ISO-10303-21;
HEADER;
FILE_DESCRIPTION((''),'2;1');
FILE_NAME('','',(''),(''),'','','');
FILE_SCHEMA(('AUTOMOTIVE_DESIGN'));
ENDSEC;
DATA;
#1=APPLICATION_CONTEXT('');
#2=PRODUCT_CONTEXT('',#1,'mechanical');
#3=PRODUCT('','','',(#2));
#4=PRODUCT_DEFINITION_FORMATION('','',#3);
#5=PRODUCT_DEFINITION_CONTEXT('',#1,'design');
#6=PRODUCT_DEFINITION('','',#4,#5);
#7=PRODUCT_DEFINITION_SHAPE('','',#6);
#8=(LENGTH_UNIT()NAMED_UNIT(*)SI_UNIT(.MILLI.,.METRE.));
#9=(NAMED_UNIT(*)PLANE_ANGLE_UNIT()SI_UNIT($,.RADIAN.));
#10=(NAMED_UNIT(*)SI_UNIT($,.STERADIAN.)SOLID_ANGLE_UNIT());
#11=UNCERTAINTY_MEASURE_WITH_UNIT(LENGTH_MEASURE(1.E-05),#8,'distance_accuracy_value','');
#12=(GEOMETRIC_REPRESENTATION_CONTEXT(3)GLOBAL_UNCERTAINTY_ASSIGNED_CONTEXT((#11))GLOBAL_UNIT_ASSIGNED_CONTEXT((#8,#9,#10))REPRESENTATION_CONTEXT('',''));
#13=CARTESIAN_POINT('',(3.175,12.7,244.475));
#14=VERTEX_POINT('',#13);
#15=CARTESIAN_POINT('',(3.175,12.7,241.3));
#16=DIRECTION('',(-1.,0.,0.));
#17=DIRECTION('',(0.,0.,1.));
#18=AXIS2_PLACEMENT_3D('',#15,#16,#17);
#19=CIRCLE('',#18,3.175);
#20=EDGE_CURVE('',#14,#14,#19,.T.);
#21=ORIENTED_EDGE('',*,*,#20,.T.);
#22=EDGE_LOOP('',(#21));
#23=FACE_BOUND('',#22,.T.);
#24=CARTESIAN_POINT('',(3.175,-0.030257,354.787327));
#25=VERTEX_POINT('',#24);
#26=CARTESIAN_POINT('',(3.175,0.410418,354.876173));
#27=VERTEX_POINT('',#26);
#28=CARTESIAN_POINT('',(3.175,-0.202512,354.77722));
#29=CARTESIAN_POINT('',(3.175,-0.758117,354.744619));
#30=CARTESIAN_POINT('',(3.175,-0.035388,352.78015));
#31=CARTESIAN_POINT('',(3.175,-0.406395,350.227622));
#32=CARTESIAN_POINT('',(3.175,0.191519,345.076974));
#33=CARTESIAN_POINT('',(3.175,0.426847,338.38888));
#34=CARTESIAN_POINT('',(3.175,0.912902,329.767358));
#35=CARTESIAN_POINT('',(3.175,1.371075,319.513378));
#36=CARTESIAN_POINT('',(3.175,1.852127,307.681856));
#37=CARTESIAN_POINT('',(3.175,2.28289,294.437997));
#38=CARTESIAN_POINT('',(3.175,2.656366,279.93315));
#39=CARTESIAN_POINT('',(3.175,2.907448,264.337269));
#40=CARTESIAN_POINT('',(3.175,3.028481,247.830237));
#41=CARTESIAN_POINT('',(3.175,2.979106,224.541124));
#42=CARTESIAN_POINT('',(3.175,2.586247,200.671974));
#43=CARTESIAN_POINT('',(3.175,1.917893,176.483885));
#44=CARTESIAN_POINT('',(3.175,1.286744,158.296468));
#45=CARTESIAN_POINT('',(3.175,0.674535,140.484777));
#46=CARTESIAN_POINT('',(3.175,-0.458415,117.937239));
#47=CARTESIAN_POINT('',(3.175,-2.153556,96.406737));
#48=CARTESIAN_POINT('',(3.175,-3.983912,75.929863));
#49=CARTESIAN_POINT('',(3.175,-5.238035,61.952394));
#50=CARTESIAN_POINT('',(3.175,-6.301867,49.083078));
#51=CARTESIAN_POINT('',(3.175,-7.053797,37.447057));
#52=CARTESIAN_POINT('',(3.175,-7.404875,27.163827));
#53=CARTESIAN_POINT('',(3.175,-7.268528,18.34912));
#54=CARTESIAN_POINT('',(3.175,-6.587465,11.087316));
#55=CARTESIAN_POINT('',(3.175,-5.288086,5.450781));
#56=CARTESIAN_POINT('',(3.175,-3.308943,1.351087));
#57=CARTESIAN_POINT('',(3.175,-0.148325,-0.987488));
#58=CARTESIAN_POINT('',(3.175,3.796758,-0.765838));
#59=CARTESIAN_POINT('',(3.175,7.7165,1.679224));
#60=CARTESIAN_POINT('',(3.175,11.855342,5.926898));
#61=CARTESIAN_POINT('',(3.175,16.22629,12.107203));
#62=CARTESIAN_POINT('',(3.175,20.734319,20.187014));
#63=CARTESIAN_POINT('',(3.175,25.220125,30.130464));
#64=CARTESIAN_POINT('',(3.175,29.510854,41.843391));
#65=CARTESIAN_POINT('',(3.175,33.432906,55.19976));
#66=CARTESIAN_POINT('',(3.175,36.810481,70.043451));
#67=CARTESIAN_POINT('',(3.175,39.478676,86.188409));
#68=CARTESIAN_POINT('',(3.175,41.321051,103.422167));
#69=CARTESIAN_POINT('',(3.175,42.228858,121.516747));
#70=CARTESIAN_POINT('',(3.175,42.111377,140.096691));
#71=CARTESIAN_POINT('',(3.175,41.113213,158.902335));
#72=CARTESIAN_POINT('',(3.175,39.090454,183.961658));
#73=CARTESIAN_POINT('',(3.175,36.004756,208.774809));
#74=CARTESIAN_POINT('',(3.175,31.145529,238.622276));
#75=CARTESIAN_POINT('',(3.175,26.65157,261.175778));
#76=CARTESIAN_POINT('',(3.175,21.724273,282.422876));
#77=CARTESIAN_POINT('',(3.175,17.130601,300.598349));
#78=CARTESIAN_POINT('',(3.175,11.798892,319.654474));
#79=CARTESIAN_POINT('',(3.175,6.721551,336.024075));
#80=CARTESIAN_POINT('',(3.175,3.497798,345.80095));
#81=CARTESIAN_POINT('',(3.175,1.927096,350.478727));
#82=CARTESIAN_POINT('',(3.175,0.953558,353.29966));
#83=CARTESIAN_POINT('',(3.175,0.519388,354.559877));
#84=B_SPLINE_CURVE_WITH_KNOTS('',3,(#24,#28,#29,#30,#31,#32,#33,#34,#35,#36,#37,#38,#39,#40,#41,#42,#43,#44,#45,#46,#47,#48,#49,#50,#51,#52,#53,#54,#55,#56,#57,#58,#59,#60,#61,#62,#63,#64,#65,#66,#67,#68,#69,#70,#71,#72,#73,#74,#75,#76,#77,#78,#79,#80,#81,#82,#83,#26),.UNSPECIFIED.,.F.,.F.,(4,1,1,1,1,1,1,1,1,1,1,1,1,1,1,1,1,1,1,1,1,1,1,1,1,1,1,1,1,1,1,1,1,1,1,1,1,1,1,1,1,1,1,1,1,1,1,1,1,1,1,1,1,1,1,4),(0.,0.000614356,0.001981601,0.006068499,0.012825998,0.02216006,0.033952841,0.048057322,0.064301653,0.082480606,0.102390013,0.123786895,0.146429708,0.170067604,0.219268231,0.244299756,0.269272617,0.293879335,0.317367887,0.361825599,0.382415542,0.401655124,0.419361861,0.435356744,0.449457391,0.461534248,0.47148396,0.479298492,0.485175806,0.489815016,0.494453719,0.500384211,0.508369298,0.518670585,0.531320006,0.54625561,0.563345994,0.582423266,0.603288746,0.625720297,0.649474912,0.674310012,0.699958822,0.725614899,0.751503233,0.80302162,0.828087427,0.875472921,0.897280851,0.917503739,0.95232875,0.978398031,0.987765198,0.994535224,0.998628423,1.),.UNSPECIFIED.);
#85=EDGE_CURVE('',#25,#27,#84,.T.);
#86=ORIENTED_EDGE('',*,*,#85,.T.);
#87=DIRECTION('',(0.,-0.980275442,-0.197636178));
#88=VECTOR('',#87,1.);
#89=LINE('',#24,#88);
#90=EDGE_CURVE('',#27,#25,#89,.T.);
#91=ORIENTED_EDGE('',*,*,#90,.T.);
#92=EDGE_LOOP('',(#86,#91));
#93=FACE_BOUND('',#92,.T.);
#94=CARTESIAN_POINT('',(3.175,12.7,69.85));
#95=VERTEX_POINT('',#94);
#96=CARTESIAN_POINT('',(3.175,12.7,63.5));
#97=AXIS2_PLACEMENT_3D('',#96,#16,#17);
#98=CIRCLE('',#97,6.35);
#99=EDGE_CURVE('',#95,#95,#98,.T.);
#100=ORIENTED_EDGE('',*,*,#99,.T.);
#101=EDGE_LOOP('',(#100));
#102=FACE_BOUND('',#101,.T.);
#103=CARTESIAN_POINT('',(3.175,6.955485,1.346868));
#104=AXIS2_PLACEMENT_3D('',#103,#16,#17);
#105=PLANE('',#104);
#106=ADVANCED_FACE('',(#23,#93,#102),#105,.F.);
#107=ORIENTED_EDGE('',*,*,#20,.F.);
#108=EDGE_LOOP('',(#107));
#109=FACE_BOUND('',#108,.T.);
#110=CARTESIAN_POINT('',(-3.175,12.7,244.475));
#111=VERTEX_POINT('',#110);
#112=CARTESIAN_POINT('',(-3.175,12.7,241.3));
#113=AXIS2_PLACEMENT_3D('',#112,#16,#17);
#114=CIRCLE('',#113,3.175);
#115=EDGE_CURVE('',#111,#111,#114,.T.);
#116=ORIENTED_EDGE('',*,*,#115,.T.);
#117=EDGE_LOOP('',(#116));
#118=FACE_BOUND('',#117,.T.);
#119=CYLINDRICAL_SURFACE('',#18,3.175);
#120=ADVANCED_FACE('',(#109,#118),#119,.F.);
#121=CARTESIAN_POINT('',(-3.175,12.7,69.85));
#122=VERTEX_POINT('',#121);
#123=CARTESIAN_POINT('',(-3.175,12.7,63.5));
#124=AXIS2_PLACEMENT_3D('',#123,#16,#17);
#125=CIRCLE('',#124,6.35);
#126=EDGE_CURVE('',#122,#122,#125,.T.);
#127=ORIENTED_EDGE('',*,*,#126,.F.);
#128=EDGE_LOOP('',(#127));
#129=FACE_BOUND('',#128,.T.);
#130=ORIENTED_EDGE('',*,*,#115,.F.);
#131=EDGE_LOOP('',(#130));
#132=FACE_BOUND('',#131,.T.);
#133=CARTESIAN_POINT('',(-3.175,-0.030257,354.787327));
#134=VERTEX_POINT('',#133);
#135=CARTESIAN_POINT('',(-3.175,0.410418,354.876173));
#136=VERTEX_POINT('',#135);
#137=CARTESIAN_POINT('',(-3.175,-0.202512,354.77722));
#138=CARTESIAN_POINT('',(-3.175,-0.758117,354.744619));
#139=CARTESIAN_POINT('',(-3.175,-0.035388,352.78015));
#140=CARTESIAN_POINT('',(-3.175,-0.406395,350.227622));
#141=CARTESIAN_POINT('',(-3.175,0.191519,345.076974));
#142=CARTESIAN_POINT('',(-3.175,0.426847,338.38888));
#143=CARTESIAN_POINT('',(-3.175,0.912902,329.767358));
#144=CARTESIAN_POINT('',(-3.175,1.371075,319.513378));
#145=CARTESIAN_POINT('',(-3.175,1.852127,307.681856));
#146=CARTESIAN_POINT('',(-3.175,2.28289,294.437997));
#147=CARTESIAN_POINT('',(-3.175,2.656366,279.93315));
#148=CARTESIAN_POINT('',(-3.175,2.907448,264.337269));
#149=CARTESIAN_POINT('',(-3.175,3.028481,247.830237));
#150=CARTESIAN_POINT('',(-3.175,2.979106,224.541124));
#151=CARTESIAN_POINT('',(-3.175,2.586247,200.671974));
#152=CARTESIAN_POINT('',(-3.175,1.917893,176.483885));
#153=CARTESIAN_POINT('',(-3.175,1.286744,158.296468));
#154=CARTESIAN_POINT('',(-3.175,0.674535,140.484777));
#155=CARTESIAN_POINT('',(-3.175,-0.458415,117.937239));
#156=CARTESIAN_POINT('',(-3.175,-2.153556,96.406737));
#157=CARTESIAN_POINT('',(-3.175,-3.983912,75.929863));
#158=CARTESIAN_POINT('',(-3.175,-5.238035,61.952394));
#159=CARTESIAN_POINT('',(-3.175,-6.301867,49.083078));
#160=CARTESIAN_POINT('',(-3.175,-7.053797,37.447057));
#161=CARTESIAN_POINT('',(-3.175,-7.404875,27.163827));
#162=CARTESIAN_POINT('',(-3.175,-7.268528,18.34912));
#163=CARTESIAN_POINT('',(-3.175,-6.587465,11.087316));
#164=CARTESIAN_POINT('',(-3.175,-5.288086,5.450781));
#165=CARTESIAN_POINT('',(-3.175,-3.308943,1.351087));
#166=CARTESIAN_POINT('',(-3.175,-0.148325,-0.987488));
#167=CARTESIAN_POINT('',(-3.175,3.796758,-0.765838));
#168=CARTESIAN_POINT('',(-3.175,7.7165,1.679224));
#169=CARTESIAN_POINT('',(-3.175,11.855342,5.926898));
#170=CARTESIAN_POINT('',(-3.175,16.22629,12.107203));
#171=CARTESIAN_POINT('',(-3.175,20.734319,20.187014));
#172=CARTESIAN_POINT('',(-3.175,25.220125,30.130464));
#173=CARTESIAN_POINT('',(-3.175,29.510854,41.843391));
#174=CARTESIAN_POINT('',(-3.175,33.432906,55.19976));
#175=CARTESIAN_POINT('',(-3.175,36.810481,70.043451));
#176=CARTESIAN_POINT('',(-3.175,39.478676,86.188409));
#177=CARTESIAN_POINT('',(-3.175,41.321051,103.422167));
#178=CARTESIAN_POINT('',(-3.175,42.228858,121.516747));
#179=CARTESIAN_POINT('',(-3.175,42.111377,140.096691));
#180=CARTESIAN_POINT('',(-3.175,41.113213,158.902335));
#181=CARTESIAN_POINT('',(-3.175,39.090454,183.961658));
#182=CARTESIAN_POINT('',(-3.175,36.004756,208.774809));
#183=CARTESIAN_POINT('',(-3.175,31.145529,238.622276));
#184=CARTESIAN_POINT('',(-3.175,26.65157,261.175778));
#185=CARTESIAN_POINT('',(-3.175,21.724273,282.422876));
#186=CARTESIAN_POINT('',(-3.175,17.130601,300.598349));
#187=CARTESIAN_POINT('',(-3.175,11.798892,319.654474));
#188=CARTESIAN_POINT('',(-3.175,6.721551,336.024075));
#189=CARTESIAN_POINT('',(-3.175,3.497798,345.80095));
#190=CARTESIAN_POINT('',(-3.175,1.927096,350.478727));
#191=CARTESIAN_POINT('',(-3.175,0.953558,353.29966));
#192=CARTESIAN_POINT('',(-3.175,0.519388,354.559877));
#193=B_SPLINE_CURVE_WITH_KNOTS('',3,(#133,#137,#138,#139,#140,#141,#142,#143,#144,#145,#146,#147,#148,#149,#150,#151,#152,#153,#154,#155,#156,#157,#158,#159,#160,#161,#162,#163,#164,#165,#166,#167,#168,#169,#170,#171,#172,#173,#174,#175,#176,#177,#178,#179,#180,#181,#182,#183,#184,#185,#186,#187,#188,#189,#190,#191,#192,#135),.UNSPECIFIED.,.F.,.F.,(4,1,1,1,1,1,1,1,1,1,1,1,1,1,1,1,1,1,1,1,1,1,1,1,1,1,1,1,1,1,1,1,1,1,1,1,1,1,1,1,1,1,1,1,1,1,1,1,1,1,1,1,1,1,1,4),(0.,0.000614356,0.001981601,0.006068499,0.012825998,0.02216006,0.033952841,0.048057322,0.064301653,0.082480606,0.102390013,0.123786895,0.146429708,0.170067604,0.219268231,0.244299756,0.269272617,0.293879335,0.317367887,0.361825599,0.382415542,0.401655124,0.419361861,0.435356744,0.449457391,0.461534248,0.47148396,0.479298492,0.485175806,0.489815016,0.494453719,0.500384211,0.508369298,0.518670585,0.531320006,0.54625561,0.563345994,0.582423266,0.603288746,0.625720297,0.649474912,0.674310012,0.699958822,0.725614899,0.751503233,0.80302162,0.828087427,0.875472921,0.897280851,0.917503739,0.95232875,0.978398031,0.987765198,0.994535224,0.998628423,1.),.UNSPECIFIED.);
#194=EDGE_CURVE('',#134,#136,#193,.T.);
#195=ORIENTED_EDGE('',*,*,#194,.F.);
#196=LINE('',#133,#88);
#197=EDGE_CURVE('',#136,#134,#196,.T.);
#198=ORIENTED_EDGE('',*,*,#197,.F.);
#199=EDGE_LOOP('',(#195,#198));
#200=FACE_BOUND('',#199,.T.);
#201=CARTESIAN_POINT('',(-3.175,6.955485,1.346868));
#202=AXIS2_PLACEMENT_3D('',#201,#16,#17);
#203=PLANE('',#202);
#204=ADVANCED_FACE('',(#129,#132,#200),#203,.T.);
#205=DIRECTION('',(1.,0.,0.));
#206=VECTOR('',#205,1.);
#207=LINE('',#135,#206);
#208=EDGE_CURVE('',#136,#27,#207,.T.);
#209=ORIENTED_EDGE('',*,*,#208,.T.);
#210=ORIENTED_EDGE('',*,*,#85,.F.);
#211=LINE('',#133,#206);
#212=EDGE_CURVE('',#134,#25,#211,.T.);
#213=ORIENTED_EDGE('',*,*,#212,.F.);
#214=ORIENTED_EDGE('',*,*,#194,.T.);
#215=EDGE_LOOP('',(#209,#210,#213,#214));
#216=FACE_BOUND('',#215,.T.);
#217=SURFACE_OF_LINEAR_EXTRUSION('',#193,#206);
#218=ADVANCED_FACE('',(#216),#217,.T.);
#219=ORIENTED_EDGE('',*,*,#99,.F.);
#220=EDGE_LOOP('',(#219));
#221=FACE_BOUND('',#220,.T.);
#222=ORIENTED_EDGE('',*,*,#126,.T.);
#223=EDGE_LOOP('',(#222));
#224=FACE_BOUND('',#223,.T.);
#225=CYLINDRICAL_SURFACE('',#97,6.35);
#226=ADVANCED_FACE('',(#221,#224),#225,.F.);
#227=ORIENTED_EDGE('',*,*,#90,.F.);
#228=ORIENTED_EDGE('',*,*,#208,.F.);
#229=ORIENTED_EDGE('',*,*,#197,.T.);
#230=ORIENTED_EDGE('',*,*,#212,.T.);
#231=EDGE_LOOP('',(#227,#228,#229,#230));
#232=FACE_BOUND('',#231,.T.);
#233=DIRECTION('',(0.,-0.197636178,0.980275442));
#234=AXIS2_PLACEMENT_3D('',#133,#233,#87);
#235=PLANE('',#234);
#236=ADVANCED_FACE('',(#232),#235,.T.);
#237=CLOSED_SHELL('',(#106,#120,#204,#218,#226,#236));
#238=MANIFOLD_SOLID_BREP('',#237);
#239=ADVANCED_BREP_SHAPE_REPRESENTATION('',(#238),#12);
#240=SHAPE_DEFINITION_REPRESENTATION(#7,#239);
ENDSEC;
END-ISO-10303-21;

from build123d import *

# Parameters (mm, degrees)
BOSS_EXTRUDE1_DEPTH      = 3.175
BOSS_EXTRUDE1_DEPTH_BACK = 3.175
CUT_EXTRUDE1_DEPTH       = 358.425151942
CUT_EXTRUDE1_DEPTH_BACK  = 358.425151942
SKETCH2_R                = 6.35
SKETCH2_R_2              = 3.175


with BuildPart() as part:
    # Sketch1 → Boss-Extrude1 (new, two sides: drawn at the far end of the back side and taken through both)
    with BuildSketch(Plane(origin=(0, 0, 0), x_dir=(0, 0, -1), z_dir=(1, 0, 0)).offset(-BOSS_EXTRUDE1_DEPTH_BACK)):
        with BuildLine():
            Line((-354.787327228, -0.030257196), (-354.876173011, 0.410417887))
            add(Edge.make_bspline(
                [(-354.876173011, 0.410417887), (-354.559877309, 0.519388), (-353.29965963, 0.95355787), (-350.47872665, 1.927095868), (-345.800950265, 3.497798274), (-336.024074692, 6.721551148), (-319.654473712, 11.798891927), (-300.598349456, 17.130600639), (-282.422876264, 21.724272526), (-261.175777938, 26.651569731), (-238.622276389, 31.145528798), (-208.774809213, 36.004755717), (-183.96165787, 39.090454058), (-158.902335219, 41.113212891), (-140.096691022, 42.111376668), (-121.516747473, 42.228858195), (-103.422167262, 41.321050632), (-86.188408528, 39.478676181), (-70.043450957, 36.810480574), (-55.199760436, 33.432905997), (-41.843390777, 29.510854383), (-30.130463623, 25.220125297), (-20.187014188, 20.73431935), (-12.107203154, 16.226289935), (-5.926897661, 11.855341958), (-1.679224073, 7.716499794), (0.765838065, 3.796757813), (0.987487677, -0.148325216), (-1.35108726, -3.308943186), (-5.450780885, -5.288085739), (-11.087315968, -6.587464624), (-18.34911979, -7.268527656), (-27.163826626, -7.404874951), (-37.447057223, -7.053797092), (-49.083078017, -6.301866785), (-61.95239395, -5.238034817), (-75.929862643, -3.983911698), (-96.406736552, -2.153555858), (-117.937239158, -0.458414508), (-140.484776897, 0.674535203), (-158.296467959, 1.286744043), (-176.48388462, 1.917893193), (-200.671973719, 2.586246563), (-224.541124114, 2.979106232), (-247.830237405, 3.028480659), (-264.337268621, 2.907447598), (-279.933149694, 2.656365926), (-294.437996632, 2.282890374), (-307.681856469, 1.852126627), (-319.513378006, 1.371074809), (-329.767358246, 0.912902227), (-338.388880463, 0.426846955), (-345.076973543, 0.191518705), (-350.227621538, -0.406394891), (-352.780150329, -0.035387827), (-354.744619464, -0.75811662), (-354.777220059, -0.20251155), (-354.787327228, -0.030257196)],
                knots=[0, 0, 0, 0, 0.001371577, 0.005464776, 0.012234802, 0.021601969, 0.04767125, 0.082496261, 0.102719149, 0.124527079, 0.171912573, 0.19697838, 0.248496767, 0.274385101, 0.300041178, 0.325689988, 0.350525088, 0.374279703, 0.396711254, 0.417576734, 0.436654006, 0.45374439, 0.468679994, 0.481329415, 0.491630702, 0.499615789, 0.505546281, 0.510184984, 0.514824194, 0.520701508, 0.52851604, 0.538465752, 0.550542609, 0.564643256, 0.580638139, 0.598344876, 0.617584458, 0.638174401, 0.682632113, 0.706120665, 0.730727383, 0.755700244, 0.780731769, 0.829932396, 0.853570292, 0.876213105, 0.897609987, 0.917519394, 0.935698347, 0.951942678, 0.966047159, 0.97783994, 0.987174002, 0.993931501, 0.998018399, 0.999385644, 1, 1, 1, 1], degree=3))
        make_face()
    extrude(amount=BOSS_EXTRUDE1_DEPTH + BOSS_EXTRUDE1_DEPTH_BACK)

    # Sketch2 → Cut-Extrude1 (cut, two sides: drawn at the far end of the back side and taken through both)
    with BuildSketch(Plane.ZY.offset(3.175).offset(-CUT_EXTRUDE1_DEPTH_BACK)):
        with Locations((63.5, 12.7)):
            Circle(SKETCH2_R)
        with Locations((241.3, 12.7)):
            Circle(SKETCH2_R_2)
    extrude(amount=CUT_EXTRUDE1_DEPTH + CUT_EXTRUDE1_DEPTH_BACK, mode=Mode.SUBTRACT)


solid = part.part
